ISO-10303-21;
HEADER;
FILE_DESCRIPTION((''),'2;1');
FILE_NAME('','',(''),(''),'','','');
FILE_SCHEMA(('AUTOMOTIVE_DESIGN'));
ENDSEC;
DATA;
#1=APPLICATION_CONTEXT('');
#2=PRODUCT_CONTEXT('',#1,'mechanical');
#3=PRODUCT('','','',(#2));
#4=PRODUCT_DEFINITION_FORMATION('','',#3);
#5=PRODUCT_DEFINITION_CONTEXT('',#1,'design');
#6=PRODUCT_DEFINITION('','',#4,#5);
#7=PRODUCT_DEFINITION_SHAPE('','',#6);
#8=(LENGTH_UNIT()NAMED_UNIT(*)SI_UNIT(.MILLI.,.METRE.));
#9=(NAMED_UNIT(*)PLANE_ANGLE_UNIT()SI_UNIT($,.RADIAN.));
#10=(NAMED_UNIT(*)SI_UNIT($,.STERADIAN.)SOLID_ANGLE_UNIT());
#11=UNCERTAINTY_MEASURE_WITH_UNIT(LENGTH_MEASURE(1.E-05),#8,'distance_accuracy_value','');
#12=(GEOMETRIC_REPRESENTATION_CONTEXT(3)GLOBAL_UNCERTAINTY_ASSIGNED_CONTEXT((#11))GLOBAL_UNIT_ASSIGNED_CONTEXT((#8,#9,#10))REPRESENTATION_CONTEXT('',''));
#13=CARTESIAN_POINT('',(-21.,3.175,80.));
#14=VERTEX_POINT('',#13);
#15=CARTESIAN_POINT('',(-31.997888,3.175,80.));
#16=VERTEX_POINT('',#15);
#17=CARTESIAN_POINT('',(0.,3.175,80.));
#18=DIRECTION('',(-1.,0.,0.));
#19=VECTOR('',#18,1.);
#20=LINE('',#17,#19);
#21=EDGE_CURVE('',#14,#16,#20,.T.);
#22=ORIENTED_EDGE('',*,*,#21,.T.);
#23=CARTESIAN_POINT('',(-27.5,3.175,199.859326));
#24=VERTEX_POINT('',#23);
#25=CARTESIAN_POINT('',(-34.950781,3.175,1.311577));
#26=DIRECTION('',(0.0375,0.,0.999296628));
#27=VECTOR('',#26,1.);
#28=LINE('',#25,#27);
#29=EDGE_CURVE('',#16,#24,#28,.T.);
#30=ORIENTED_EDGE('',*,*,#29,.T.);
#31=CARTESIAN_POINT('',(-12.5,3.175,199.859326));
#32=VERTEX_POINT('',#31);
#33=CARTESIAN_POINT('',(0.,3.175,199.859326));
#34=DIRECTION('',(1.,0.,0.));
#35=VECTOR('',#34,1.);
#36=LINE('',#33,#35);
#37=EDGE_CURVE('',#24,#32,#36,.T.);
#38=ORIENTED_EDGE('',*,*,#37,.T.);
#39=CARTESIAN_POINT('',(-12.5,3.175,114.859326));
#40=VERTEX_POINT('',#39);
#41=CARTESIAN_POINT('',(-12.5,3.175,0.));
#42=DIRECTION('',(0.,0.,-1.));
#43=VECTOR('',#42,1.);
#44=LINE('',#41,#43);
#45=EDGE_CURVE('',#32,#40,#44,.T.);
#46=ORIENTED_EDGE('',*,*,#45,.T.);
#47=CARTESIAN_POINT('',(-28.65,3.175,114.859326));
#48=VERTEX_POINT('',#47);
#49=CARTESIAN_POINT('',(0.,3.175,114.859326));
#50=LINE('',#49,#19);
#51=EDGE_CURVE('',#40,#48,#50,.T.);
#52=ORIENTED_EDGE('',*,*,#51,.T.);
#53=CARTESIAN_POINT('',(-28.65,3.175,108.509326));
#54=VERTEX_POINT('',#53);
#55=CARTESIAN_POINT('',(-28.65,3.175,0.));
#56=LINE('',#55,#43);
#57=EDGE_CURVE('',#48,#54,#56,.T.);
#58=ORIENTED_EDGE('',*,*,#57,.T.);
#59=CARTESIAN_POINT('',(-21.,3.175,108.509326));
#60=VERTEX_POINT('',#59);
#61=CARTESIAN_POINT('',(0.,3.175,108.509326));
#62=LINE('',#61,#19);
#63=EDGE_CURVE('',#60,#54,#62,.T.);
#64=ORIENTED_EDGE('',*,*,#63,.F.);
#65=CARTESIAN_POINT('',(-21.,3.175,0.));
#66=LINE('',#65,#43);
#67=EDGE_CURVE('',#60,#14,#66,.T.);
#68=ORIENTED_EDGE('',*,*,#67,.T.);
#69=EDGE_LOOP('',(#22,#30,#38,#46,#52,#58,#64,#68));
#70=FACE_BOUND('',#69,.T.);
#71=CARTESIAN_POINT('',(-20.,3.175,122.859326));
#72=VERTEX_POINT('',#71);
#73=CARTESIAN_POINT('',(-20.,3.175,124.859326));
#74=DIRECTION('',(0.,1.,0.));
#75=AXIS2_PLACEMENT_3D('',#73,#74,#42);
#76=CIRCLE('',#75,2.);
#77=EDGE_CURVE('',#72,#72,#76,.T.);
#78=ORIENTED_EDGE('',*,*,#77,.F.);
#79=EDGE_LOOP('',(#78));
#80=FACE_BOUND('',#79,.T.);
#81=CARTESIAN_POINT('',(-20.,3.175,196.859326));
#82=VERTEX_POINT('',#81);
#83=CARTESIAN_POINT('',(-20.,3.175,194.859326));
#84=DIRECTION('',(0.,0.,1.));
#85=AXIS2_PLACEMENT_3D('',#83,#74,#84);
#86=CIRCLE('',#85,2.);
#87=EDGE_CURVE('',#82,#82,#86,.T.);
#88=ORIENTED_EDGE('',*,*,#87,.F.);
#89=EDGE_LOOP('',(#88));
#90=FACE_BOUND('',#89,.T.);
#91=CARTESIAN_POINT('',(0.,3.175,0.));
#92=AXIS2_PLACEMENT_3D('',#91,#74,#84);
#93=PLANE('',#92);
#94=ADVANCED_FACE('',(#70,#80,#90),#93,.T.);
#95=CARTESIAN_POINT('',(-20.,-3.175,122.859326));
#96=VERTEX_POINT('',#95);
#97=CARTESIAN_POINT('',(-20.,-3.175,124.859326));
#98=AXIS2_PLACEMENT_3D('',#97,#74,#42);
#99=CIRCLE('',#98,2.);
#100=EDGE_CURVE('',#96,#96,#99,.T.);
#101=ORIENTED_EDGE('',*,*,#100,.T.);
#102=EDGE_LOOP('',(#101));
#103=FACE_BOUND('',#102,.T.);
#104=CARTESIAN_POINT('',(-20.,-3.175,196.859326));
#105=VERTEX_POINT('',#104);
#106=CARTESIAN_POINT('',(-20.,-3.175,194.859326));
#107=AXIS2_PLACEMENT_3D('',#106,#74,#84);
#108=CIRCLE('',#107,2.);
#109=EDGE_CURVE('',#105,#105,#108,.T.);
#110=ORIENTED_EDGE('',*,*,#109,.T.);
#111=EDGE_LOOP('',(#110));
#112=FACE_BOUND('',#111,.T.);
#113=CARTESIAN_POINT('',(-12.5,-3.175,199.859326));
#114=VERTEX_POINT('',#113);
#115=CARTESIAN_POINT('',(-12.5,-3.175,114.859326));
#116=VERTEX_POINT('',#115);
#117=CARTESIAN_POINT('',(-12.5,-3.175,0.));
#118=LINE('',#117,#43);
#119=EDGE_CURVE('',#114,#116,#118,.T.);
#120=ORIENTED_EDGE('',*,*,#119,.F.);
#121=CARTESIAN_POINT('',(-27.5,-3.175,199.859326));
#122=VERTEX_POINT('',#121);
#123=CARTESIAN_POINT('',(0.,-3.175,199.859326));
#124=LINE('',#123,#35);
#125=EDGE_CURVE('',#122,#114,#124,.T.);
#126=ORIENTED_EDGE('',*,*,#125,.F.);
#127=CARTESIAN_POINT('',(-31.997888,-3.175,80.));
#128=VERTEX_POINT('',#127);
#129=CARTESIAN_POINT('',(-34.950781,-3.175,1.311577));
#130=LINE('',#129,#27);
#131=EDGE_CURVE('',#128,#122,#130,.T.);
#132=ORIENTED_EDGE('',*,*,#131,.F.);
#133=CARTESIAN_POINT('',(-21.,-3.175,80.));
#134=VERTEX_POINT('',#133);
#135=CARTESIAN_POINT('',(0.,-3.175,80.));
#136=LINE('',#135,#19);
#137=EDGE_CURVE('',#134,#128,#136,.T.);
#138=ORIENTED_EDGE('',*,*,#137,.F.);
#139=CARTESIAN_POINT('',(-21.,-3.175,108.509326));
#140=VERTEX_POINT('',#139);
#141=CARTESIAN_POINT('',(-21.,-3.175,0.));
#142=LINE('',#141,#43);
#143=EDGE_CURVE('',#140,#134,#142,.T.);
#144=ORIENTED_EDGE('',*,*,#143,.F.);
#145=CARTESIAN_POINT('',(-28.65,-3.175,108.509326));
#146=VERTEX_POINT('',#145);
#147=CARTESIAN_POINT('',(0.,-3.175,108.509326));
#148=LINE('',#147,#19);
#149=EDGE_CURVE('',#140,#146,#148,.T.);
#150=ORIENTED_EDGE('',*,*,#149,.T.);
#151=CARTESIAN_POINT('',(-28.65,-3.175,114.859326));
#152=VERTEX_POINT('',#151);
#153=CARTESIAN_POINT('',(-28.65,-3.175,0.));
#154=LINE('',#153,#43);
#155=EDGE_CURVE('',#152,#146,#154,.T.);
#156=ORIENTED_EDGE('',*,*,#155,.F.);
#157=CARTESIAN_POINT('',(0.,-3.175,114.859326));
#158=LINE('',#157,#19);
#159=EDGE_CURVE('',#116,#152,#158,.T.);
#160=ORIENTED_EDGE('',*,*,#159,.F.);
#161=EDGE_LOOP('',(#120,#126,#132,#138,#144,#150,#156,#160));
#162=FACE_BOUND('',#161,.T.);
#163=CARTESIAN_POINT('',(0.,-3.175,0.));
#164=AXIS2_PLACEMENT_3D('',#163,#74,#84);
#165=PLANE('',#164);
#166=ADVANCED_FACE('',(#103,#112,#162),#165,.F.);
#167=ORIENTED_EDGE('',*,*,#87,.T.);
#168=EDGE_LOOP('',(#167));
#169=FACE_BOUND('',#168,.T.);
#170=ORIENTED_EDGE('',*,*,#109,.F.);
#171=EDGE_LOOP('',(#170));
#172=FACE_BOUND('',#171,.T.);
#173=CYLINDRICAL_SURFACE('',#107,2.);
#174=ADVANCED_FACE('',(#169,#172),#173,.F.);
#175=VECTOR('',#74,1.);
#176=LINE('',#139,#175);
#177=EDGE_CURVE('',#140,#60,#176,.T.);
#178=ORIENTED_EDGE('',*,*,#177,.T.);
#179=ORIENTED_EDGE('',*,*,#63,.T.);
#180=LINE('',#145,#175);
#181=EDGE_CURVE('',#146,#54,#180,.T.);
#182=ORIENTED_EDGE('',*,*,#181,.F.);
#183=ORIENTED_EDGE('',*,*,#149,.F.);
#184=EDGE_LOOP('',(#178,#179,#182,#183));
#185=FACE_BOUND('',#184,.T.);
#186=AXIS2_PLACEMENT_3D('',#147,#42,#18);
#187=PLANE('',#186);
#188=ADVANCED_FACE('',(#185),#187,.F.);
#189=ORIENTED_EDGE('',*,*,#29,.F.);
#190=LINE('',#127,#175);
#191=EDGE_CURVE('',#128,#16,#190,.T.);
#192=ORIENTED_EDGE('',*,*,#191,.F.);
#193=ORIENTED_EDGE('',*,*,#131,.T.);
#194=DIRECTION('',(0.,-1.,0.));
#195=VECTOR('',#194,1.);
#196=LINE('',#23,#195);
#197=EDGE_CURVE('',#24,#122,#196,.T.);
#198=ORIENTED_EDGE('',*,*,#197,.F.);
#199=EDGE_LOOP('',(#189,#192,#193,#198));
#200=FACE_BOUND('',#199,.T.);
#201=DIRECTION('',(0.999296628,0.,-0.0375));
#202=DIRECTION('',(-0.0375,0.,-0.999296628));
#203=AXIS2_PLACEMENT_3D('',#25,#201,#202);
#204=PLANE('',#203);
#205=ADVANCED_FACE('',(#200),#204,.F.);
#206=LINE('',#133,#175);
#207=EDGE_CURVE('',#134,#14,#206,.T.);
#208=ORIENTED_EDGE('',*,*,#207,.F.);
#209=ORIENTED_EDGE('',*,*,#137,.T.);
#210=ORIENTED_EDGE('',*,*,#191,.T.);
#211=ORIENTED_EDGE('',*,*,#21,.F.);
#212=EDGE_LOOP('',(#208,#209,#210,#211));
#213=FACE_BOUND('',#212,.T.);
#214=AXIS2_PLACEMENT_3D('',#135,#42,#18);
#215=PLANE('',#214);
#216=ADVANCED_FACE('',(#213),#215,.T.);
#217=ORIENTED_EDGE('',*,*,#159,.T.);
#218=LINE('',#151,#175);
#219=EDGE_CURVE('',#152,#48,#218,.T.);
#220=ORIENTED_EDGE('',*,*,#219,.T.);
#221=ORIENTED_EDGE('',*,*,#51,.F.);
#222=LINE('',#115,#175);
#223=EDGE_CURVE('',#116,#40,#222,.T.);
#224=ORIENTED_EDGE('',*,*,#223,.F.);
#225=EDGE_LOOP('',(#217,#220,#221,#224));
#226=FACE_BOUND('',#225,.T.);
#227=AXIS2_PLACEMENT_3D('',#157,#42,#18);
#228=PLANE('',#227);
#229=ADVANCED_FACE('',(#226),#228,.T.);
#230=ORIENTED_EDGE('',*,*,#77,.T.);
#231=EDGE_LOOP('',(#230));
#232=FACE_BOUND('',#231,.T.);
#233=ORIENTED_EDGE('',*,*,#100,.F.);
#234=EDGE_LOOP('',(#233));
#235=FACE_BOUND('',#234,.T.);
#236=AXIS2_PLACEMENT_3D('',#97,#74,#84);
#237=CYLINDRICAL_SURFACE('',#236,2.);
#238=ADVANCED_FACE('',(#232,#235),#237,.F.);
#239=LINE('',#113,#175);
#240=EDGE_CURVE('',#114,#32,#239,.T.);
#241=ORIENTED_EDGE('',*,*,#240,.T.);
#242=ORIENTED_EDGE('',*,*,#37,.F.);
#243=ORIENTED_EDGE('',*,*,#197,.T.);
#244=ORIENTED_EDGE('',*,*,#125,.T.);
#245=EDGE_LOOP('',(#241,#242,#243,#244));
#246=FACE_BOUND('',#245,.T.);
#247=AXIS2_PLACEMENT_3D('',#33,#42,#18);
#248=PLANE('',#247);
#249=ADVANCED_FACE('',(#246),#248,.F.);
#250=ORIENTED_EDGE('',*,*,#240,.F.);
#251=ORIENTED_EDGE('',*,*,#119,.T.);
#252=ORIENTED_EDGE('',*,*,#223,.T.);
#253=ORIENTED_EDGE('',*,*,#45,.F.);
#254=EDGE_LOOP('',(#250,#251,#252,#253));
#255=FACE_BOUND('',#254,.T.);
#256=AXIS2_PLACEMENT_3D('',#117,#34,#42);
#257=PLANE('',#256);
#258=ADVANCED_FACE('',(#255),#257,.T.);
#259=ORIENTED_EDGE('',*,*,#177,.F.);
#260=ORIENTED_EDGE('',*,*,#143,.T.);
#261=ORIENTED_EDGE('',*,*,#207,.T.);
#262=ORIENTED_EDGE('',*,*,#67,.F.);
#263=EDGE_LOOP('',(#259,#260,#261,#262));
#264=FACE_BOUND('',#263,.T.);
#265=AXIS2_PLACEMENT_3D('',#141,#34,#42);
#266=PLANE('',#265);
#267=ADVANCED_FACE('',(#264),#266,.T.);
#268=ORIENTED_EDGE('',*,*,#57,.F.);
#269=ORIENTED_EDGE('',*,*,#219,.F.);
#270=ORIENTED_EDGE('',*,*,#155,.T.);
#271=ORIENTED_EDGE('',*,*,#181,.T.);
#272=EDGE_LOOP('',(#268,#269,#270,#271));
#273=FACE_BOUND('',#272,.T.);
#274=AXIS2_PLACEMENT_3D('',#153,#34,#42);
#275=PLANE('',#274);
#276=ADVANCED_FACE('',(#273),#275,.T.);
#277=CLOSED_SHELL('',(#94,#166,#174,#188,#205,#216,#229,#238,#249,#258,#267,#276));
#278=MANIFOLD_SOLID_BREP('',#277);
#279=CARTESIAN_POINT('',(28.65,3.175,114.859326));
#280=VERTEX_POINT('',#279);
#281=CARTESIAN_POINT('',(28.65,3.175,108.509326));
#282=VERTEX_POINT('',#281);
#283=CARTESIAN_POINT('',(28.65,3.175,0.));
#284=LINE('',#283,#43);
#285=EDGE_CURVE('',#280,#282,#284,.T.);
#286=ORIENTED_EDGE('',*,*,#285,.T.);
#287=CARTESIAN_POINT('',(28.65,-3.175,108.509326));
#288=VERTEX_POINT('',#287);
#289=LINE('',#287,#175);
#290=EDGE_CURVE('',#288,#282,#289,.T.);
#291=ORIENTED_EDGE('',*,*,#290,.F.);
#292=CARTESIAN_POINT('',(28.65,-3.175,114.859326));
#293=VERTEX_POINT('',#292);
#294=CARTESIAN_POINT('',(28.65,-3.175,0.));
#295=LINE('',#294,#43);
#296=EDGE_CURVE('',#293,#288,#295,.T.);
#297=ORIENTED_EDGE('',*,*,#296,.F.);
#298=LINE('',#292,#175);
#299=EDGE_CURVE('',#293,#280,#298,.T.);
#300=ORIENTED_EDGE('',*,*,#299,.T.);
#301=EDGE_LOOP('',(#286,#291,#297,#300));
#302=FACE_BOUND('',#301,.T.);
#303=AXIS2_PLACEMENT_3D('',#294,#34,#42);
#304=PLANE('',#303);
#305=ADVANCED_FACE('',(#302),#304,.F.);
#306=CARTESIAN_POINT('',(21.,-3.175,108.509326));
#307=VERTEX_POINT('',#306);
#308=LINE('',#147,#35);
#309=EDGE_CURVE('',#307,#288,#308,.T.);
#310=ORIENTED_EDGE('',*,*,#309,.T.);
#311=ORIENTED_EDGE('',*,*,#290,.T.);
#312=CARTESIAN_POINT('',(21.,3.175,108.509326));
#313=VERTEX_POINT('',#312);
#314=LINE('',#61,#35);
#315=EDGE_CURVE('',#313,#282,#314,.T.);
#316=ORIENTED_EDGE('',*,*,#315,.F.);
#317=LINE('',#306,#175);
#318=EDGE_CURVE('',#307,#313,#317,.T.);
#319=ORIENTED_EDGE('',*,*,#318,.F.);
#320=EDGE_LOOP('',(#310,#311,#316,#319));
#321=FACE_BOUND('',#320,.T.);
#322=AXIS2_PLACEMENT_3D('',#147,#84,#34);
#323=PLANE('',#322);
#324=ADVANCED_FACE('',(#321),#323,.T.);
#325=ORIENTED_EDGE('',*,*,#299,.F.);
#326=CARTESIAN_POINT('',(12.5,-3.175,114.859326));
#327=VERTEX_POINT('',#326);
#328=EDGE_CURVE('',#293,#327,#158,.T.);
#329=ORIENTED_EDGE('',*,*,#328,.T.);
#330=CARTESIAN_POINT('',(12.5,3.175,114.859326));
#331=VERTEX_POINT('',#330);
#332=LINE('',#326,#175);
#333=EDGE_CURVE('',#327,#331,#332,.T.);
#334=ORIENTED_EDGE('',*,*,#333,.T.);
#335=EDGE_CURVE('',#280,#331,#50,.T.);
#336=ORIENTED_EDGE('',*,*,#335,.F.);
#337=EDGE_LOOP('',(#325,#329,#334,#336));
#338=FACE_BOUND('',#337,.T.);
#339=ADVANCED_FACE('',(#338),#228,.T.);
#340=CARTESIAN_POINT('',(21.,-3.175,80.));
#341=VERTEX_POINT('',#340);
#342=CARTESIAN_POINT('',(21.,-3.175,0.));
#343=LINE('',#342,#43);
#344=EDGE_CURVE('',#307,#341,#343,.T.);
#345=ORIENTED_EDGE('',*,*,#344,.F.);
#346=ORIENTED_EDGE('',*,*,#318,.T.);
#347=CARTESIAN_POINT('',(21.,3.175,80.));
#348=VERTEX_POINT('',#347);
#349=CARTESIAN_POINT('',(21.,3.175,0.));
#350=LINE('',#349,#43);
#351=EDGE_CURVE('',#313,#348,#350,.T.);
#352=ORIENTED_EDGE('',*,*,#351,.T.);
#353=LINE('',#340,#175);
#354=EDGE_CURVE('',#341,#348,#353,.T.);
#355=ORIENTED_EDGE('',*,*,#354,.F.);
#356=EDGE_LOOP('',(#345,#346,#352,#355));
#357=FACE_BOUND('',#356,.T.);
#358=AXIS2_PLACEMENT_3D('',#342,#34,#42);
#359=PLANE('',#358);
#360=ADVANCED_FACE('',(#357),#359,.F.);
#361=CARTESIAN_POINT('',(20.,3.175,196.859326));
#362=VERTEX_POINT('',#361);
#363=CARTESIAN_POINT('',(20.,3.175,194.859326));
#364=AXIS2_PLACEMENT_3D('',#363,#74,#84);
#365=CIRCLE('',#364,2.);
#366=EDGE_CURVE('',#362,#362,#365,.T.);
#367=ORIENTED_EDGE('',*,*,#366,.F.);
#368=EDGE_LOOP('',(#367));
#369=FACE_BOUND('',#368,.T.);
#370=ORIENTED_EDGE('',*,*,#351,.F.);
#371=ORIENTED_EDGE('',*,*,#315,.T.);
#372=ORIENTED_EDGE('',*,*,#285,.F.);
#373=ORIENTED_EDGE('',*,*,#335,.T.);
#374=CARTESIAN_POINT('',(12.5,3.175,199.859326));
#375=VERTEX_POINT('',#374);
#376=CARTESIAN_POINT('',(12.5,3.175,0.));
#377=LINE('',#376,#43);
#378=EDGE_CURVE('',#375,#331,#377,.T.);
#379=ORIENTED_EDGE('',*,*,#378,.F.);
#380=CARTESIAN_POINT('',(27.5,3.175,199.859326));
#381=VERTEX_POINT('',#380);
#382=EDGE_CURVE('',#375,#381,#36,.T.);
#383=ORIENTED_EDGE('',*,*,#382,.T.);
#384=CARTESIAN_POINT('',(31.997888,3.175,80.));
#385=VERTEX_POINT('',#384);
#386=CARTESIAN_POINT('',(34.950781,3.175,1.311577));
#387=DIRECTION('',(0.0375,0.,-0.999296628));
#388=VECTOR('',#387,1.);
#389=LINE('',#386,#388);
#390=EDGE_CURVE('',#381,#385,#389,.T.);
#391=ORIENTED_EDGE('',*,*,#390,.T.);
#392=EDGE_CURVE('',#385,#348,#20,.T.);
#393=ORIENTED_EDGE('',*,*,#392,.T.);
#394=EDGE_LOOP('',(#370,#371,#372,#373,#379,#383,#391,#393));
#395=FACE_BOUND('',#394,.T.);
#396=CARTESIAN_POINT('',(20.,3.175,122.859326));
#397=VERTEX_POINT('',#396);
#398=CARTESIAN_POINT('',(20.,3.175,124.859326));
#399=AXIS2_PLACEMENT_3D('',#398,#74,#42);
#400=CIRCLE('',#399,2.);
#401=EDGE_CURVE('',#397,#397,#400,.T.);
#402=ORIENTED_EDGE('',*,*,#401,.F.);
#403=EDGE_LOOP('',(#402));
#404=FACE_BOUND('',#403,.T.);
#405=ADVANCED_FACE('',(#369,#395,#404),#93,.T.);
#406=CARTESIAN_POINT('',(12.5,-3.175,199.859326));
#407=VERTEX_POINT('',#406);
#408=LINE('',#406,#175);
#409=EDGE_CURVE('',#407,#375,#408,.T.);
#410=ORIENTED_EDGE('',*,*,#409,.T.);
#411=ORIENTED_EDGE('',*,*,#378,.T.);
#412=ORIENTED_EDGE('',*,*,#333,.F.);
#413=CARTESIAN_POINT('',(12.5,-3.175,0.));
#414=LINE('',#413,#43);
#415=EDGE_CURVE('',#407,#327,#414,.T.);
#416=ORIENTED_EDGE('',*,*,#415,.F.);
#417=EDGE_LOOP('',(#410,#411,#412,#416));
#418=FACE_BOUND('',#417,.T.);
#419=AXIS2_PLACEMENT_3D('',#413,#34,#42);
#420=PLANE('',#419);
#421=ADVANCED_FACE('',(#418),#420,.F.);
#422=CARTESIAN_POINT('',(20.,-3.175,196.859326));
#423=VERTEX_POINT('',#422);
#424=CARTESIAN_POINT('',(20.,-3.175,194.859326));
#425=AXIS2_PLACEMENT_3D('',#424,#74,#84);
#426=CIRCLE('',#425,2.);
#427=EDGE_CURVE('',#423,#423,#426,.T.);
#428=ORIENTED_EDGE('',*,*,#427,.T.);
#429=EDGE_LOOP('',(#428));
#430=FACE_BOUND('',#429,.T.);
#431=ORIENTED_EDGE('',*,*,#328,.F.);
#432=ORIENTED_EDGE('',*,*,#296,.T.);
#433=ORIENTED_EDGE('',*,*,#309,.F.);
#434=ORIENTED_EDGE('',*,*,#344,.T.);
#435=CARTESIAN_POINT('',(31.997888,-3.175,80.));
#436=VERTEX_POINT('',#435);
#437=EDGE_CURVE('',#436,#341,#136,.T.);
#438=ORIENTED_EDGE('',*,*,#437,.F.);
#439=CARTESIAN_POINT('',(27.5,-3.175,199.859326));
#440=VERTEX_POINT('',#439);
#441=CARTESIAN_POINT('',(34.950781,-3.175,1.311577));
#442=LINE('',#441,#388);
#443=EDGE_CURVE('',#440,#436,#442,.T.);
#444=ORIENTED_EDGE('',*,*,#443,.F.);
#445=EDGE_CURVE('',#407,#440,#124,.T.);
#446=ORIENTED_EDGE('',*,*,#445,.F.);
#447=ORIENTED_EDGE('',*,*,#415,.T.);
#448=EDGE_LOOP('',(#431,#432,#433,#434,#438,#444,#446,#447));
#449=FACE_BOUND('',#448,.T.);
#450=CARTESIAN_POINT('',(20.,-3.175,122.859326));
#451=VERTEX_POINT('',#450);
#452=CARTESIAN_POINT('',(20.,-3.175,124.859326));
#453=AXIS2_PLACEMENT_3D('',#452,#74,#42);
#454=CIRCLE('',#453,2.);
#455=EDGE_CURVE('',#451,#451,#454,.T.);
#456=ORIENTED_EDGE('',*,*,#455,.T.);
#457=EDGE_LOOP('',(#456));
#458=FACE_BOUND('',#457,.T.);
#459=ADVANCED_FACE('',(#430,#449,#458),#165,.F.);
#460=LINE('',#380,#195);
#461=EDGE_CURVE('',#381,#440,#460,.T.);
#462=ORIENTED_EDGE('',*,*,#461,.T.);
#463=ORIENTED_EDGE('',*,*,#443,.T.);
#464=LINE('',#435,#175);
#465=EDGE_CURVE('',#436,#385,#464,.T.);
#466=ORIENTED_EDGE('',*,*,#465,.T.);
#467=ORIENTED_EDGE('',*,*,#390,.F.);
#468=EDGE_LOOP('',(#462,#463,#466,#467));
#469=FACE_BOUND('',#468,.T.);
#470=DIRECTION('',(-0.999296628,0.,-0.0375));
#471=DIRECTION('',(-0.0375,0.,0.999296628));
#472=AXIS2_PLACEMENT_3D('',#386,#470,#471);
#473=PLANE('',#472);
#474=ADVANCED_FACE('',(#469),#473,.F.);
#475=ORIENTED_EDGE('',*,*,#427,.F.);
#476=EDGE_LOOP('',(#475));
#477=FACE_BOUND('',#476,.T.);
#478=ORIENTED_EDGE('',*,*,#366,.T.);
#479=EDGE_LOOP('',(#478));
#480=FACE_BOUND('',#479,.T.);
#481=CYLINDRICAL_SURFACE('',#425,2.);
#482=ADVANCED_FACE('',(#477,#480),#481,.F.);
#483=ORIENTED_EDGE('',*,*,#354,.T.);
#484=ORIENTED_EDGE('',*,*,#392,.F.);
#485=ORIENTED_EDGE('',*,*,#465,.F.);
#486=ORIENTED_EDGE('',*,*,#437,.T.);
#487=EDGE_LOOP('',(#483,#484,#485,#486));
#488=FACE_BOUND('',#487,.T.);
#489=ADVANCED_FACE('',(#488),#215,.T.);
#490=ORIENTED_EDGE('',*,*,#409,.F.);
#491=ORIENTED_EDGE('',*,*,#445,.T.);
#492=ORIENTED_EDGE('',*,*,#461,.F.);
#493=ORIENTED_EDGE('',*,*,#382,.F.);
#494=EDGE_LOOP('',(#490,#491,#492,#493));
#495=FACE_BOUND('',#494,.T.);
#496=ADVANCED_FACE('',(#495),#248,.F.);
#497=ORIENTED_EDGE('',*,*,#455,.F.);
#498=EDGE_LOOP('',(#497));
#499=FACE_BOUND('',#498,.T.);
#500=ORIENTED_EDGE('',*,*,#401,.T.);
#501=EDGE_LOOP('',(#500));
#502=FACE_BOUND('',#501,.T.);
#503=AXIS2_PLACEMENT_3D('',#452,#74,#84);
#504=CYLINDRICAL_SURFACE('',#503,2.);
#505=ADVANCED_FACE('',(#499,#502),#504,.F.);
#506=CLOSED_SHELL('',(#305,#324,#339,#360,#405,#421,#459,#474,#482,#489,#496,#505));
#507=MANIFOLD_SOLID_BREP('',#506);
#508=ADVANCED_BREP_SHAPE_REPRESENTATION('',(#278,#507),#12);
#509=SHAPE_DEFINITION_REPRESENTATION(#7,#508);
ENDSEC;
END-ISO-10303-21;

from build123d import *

# Parameters (mm, degrees)
BOSS_EXTRUDE1_DEPTH = 3.175
CUT_EXTRUDE1_DEPTH  = 204.000178571
SKETCH3_W           = 42
SKETCH3_H           = 55.35
SKETCH3_W_2         = 25
SKETCH3_H_2         = 85
SKETCH3_W_3         = 7.65
SKETCH3_H_3         = 6.35
CUT_EXTRUDE2_DEPTH  = 203.504166283
SKETCH4_R           = 2
CUT_EXTRUDE3_DEPTH  = 203.504166283


with BuildPart() as part:
    # Sketch1 → Boss-Extrude1 (new, symmetric)
    with BuildSketch(Plane(origin=(0, 0, 0), x_dir=(1, 0, 0), z_dir=(0, 1, 0))):
        with BuildLine():
            ThreePointArc((35, 0), (0, 35), (-35, 0))
            Line((-35, 0), (-27.5, -199.859325527))
            Line((-27.5, -199.859325527), (27.5, -199.859325527))
            Line((27.5, -199.859325527), (35, 0))
        make_face()
    extrude(amount=BOSS_EXTRUDE1_DEPTH, both=True)

    # Sketch2 → Cut-Extrude1 (cut, through all)
    with BuildSketch(Plane(origin=(0, 3.175, 0), x_dir=(1, 0, 0), z_dir=(0, 1, 0))):
        with BuildLine():
            Line((-31.997888398, -80), (31.997888398, -80))
            Line((31.997888398, -80), (35, 0))
            ThreePointArc((35, 0), (0, 35), (-35, 0))
            Line((-35, 0), (-31.997888398, -80))
        make_face()
    extrude(amount=-CUT_EXTRUDE1_DEPTH, mode=Mode.SUBTRACT)

    # Sketch3 → Cut-Extrude2 (cut, through all)
    with BuildSketch(Plane(origin=(0, 3.175, 0), x_dir=(1, 0, 0), z_dir=(0, 1, 0))):
        with Locations((0, -87.184325527)):
            Rectangle(SKETCH3_W, SKETCH3_H)
        with Locations((0, -157.359325527)):
            Rectangle(SKETCH3_W_2, SKETCH3_H_2)
        with Locations((-24.825, -111.684325527)):
            Rectangle(SKETCH3_W_3, SKETCH3_H_3)
        with Locations((24.825, -111.684325527)):
            Rectangle(SKETCH3_W_3, SKETCH3_H_3)
    extrude(amount=-CUT_EXTRUDE2_DEPTH, mode=Mode.SUBTRACT)


with BuildPart() as cut_extrude2_piece_1:
    # of the separate pieces the step leaves, piece 1, a body of its own (cut_extrude2_pieces)
    add(part.part.solids().sort_by_distance((-31.997888398, 3.175, 80))[0])


with BuildPart() as cut_extrude2_piece_2:
    # of the separate pieces the step leaves, piece 2, a body of its own (cut_extrude2_pieces)
    add(part.part.solids().sort_by_distance((21, 3.175, 80))[0])


with BuildPart() as cut_extrude3_tool:
    # Sketch4 → Cut-Extrude3 (new, through all)
    with BuildSketch(Plane(origin=(0, 3.175, 0), x_dir=(1, 0, 0), z_dir=(0, 1, 0))):
        with Locations(Location((20, -194.859325527, 0), (0, 0, 270))):
            Circle(SKETCH4_R)
        with Locations(Location((-20, -194.859325527, 0), (0, 0, 270))):
            Circle(SKETCH4_R)
        with Locations(Location((-20, -124.859325527, 0), (0, 0, 90))):
            Circle(SKETCH4_R)
        with Locations(Location((20, -124.859325527, 0), (0, 0, 90))):
            Circle(SKETCH4_R)
    extrude(amount=-CUT_EXTRUDE3_DEPTH)


with BuildPart() as cut_extrude2_piece_1_1:
    add(cut_extrude2_piece_1.part)

    # Cut-Extrude3: cut by cut_extrude3_tool
    add(cut_extrude3_tool.part, mode=Mode.SUBTRACT)


with BuildPart() as cut_extrude2_piece_2_1:
    add(cut_extrude2_piece_2.part)

    # Cut-Extrude3: cut by cut_extrude3_tool
    add(cut_extrude3_tool.part, mode=Mode.SUBTRACT)


solid = Compound([cut_extrude2_piece_1_1.part, cut_extrude2_piece_2_1.part])
